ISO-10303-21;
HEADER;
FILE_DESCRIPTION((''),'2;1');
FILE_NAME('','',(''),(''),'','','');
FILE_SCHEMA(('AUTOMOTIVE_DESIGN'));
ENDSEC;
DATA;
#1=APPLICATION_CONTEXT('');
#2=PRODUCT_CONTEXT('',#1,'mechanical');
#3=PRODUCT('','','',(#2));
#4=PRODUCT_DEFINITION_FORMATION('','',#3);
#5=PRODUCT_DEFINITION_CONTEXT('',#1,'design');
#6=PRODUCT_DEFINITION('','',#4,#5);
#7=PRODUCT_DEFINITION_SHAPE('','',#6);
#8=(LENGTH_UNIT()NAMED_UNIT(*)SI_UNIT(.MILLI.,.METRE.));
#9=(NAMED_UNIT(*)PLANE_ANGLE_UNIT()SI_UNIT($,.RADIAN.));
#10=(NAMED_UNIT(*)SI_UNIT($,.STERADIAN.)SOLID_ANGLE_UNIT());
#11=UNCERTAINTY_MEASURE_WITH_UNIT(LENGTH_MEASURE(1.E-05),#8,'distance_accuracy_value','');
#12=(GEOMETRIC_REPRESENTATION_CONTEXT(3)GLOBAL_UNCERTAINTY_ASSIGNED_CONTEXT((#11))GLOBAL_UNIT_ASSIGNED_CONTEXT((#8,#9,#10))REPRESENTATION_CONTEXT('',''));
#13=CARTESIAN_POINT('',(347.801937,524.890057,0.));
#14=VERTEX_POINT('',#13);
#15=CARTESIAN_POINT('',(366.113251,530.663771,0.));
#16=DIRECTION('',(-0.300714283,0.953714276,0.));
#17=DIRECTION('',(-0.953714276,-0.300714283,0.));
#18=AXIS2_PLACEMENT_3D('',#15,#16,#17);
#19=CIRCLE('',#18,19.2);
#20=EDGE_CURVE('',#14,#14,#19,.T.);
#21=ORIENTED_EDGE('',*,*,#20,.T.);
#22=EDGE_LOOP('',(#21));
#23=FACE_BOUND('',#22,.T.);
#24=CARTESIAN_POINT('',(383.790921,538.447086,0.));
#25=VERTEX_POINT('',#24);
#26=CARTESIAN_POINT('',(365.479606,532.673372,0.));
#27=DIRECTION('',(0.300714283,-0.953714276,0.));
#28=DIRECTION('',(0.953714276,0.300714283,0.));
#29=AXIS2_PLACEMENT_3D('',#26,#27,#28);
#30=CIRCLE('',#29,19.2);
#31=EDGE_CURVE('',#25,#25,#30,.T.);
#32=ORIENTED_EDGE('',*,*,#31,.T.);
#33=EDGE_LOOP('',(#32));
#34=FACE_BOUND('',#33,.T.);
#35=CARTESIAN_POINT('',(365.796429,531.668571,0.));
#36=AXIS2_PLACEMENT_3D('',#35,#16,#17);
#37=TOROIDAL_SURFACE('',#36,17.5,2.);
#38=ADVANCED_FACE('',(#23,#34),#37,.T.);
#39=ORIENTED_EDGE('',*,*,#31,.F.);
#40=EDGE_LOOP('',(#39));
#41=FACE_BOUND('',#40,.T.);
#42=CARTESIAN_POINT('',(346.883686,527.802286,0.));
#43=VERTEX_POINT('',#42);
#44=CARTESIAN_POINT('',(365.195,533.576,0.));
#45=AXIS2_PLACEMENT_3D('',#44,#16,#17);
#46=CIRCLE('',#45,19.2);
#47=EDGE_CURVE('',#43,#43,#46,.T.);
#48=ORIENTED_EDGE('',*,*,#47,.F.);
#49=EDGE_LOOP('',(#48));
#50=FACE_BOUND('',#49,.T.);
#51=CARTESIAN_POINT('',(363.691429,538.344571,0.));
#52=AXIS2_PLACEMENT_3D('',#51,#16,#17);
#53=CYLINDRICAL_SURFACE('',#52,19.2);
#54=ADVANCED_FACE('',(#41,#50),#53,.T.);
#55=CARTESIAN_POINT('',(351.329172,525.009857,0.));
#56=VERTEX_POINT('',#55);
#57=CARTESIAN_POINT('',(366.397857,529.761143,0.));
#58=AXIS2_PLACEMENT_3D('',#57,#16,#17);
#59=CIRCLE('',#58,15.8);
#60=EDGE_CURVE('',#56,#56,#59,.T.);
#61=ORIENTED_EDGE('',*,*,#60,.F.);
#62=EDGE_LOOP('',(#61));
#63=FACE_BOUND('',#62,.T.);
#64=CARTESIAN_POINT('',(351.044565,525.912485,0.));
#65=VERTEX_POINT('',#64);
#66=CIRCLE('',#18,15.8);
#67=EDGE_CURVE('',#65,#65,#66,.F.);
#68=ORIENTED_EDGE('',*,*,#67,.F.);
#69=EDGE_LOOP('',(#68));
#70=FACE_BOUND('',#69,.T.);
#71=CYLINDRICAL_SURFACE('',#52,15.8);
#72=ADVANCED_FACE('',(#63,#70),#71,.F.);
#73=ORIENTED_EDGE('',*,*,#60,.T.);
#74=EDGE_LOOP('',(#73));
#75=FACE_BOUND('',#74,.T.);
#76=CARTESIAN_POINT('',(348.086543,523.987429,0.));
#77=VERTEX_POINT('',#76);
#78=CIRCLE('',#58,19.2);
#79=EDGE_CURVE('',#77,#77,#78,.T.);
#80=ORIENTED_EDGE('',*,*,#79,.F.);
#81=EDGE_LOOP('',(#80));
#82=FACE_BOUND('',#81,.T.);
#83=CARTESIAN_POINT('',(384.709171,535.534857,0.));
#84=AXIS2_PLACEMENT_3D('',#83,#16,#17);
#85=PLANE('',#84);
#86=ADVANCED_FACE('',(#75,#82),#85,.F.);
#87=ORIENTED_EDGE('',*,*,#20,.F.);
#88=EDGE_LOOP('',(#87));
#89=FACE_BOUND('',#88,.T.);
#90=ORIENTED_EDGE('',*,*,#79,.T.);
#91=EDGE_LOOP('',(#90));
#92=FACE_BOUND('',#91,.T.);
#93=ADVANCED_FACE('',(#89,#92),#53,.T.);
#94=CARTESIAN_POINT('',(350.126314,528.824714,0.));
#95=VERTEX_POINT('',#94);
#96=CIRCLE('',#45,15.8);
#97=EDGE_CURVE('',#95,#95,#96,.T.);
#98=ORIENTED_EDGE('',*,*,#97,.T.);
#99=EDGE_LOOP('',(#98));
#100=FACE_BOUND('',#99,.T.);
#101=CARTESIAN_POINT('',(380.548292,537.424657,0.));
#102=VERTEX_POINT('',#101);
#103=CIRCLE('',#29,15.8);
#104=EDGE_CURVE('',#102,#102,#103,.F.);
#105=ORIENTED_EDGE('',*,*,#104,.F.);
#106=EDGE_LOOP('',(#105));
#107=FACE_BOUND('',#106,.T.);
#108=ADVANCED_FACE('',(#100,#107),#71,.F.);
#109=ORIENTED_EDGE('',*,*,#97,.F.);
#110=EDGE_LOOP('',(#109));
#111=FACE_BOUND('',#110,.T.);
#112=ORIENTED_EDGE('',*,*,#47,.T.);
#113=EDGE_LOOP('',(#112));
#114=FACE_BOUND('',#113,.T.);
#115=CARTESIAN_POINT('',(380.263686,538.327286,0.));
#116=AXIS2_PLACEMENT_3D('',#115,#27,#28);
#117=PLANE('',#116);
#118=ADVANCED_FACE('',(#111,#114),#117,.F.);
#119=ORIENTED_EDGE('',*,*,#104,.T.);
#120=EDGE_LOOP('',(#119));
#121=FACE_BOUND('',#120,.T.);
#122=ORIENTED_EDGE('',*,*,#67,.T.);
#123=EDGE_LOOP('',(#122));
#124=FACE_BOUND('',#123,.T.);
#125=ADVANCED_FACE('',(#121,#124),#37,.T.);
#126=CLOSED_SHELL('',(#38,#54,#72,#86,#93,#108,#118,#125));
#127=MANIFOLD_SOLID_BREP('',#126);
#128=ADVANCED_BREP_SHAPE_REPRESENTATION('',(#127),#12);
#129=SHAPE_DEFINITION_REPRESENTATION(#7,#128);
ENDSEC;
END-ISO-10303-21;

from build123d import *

# Parameters (mm, degrees)
SK_BOLAS_R = 2.0000000000000018


with BuildPart() as part:
    # Sk_Jaula → Jaula (revolve)
    with BuildSketch(Plane.XY, mode=Mode.PRIVATE) as jaula_sk:
        Polygon((380.26368558200323, 538.3272855976807), (383.50631412034375, 539.3497141586763), (384.70917125092683, 535.5348570547463), (381.4665427125863, 534.5124284937507), align=None)
    revolve(jaula_sk.sketch.rotate(Axis((363.69142860825076, 538.3445713117901, 0), (0.3007142826457713, -0.9537142759825079, 0)), 180), axis=Axis((363.69142860825076, 538.3445713117901, 0), (0.3007142826457713, -0.9537142759825079, 0)))

    # Sk_Bolas → Bolas (revolve)
    with BuildSketch(Plane.XY, mode=Mode.PRIVATE) as bolas_sk:
        with Locations((382.486428416465, 536.9310713262134)):
            Circle(SK_BOLAS_R)
    revolve(bolas_sk.sketch.rotate(Axis((362.7892857603134, 541.2057141397376, 0), (0.3007142826457754, -0.9537142759825067, 0)), 180), axis=Axis((362.7892857603134, 541.2057141397376, 0), (0.3007142826457754, -0.9537142759825067, 0)))


solid = part.part
